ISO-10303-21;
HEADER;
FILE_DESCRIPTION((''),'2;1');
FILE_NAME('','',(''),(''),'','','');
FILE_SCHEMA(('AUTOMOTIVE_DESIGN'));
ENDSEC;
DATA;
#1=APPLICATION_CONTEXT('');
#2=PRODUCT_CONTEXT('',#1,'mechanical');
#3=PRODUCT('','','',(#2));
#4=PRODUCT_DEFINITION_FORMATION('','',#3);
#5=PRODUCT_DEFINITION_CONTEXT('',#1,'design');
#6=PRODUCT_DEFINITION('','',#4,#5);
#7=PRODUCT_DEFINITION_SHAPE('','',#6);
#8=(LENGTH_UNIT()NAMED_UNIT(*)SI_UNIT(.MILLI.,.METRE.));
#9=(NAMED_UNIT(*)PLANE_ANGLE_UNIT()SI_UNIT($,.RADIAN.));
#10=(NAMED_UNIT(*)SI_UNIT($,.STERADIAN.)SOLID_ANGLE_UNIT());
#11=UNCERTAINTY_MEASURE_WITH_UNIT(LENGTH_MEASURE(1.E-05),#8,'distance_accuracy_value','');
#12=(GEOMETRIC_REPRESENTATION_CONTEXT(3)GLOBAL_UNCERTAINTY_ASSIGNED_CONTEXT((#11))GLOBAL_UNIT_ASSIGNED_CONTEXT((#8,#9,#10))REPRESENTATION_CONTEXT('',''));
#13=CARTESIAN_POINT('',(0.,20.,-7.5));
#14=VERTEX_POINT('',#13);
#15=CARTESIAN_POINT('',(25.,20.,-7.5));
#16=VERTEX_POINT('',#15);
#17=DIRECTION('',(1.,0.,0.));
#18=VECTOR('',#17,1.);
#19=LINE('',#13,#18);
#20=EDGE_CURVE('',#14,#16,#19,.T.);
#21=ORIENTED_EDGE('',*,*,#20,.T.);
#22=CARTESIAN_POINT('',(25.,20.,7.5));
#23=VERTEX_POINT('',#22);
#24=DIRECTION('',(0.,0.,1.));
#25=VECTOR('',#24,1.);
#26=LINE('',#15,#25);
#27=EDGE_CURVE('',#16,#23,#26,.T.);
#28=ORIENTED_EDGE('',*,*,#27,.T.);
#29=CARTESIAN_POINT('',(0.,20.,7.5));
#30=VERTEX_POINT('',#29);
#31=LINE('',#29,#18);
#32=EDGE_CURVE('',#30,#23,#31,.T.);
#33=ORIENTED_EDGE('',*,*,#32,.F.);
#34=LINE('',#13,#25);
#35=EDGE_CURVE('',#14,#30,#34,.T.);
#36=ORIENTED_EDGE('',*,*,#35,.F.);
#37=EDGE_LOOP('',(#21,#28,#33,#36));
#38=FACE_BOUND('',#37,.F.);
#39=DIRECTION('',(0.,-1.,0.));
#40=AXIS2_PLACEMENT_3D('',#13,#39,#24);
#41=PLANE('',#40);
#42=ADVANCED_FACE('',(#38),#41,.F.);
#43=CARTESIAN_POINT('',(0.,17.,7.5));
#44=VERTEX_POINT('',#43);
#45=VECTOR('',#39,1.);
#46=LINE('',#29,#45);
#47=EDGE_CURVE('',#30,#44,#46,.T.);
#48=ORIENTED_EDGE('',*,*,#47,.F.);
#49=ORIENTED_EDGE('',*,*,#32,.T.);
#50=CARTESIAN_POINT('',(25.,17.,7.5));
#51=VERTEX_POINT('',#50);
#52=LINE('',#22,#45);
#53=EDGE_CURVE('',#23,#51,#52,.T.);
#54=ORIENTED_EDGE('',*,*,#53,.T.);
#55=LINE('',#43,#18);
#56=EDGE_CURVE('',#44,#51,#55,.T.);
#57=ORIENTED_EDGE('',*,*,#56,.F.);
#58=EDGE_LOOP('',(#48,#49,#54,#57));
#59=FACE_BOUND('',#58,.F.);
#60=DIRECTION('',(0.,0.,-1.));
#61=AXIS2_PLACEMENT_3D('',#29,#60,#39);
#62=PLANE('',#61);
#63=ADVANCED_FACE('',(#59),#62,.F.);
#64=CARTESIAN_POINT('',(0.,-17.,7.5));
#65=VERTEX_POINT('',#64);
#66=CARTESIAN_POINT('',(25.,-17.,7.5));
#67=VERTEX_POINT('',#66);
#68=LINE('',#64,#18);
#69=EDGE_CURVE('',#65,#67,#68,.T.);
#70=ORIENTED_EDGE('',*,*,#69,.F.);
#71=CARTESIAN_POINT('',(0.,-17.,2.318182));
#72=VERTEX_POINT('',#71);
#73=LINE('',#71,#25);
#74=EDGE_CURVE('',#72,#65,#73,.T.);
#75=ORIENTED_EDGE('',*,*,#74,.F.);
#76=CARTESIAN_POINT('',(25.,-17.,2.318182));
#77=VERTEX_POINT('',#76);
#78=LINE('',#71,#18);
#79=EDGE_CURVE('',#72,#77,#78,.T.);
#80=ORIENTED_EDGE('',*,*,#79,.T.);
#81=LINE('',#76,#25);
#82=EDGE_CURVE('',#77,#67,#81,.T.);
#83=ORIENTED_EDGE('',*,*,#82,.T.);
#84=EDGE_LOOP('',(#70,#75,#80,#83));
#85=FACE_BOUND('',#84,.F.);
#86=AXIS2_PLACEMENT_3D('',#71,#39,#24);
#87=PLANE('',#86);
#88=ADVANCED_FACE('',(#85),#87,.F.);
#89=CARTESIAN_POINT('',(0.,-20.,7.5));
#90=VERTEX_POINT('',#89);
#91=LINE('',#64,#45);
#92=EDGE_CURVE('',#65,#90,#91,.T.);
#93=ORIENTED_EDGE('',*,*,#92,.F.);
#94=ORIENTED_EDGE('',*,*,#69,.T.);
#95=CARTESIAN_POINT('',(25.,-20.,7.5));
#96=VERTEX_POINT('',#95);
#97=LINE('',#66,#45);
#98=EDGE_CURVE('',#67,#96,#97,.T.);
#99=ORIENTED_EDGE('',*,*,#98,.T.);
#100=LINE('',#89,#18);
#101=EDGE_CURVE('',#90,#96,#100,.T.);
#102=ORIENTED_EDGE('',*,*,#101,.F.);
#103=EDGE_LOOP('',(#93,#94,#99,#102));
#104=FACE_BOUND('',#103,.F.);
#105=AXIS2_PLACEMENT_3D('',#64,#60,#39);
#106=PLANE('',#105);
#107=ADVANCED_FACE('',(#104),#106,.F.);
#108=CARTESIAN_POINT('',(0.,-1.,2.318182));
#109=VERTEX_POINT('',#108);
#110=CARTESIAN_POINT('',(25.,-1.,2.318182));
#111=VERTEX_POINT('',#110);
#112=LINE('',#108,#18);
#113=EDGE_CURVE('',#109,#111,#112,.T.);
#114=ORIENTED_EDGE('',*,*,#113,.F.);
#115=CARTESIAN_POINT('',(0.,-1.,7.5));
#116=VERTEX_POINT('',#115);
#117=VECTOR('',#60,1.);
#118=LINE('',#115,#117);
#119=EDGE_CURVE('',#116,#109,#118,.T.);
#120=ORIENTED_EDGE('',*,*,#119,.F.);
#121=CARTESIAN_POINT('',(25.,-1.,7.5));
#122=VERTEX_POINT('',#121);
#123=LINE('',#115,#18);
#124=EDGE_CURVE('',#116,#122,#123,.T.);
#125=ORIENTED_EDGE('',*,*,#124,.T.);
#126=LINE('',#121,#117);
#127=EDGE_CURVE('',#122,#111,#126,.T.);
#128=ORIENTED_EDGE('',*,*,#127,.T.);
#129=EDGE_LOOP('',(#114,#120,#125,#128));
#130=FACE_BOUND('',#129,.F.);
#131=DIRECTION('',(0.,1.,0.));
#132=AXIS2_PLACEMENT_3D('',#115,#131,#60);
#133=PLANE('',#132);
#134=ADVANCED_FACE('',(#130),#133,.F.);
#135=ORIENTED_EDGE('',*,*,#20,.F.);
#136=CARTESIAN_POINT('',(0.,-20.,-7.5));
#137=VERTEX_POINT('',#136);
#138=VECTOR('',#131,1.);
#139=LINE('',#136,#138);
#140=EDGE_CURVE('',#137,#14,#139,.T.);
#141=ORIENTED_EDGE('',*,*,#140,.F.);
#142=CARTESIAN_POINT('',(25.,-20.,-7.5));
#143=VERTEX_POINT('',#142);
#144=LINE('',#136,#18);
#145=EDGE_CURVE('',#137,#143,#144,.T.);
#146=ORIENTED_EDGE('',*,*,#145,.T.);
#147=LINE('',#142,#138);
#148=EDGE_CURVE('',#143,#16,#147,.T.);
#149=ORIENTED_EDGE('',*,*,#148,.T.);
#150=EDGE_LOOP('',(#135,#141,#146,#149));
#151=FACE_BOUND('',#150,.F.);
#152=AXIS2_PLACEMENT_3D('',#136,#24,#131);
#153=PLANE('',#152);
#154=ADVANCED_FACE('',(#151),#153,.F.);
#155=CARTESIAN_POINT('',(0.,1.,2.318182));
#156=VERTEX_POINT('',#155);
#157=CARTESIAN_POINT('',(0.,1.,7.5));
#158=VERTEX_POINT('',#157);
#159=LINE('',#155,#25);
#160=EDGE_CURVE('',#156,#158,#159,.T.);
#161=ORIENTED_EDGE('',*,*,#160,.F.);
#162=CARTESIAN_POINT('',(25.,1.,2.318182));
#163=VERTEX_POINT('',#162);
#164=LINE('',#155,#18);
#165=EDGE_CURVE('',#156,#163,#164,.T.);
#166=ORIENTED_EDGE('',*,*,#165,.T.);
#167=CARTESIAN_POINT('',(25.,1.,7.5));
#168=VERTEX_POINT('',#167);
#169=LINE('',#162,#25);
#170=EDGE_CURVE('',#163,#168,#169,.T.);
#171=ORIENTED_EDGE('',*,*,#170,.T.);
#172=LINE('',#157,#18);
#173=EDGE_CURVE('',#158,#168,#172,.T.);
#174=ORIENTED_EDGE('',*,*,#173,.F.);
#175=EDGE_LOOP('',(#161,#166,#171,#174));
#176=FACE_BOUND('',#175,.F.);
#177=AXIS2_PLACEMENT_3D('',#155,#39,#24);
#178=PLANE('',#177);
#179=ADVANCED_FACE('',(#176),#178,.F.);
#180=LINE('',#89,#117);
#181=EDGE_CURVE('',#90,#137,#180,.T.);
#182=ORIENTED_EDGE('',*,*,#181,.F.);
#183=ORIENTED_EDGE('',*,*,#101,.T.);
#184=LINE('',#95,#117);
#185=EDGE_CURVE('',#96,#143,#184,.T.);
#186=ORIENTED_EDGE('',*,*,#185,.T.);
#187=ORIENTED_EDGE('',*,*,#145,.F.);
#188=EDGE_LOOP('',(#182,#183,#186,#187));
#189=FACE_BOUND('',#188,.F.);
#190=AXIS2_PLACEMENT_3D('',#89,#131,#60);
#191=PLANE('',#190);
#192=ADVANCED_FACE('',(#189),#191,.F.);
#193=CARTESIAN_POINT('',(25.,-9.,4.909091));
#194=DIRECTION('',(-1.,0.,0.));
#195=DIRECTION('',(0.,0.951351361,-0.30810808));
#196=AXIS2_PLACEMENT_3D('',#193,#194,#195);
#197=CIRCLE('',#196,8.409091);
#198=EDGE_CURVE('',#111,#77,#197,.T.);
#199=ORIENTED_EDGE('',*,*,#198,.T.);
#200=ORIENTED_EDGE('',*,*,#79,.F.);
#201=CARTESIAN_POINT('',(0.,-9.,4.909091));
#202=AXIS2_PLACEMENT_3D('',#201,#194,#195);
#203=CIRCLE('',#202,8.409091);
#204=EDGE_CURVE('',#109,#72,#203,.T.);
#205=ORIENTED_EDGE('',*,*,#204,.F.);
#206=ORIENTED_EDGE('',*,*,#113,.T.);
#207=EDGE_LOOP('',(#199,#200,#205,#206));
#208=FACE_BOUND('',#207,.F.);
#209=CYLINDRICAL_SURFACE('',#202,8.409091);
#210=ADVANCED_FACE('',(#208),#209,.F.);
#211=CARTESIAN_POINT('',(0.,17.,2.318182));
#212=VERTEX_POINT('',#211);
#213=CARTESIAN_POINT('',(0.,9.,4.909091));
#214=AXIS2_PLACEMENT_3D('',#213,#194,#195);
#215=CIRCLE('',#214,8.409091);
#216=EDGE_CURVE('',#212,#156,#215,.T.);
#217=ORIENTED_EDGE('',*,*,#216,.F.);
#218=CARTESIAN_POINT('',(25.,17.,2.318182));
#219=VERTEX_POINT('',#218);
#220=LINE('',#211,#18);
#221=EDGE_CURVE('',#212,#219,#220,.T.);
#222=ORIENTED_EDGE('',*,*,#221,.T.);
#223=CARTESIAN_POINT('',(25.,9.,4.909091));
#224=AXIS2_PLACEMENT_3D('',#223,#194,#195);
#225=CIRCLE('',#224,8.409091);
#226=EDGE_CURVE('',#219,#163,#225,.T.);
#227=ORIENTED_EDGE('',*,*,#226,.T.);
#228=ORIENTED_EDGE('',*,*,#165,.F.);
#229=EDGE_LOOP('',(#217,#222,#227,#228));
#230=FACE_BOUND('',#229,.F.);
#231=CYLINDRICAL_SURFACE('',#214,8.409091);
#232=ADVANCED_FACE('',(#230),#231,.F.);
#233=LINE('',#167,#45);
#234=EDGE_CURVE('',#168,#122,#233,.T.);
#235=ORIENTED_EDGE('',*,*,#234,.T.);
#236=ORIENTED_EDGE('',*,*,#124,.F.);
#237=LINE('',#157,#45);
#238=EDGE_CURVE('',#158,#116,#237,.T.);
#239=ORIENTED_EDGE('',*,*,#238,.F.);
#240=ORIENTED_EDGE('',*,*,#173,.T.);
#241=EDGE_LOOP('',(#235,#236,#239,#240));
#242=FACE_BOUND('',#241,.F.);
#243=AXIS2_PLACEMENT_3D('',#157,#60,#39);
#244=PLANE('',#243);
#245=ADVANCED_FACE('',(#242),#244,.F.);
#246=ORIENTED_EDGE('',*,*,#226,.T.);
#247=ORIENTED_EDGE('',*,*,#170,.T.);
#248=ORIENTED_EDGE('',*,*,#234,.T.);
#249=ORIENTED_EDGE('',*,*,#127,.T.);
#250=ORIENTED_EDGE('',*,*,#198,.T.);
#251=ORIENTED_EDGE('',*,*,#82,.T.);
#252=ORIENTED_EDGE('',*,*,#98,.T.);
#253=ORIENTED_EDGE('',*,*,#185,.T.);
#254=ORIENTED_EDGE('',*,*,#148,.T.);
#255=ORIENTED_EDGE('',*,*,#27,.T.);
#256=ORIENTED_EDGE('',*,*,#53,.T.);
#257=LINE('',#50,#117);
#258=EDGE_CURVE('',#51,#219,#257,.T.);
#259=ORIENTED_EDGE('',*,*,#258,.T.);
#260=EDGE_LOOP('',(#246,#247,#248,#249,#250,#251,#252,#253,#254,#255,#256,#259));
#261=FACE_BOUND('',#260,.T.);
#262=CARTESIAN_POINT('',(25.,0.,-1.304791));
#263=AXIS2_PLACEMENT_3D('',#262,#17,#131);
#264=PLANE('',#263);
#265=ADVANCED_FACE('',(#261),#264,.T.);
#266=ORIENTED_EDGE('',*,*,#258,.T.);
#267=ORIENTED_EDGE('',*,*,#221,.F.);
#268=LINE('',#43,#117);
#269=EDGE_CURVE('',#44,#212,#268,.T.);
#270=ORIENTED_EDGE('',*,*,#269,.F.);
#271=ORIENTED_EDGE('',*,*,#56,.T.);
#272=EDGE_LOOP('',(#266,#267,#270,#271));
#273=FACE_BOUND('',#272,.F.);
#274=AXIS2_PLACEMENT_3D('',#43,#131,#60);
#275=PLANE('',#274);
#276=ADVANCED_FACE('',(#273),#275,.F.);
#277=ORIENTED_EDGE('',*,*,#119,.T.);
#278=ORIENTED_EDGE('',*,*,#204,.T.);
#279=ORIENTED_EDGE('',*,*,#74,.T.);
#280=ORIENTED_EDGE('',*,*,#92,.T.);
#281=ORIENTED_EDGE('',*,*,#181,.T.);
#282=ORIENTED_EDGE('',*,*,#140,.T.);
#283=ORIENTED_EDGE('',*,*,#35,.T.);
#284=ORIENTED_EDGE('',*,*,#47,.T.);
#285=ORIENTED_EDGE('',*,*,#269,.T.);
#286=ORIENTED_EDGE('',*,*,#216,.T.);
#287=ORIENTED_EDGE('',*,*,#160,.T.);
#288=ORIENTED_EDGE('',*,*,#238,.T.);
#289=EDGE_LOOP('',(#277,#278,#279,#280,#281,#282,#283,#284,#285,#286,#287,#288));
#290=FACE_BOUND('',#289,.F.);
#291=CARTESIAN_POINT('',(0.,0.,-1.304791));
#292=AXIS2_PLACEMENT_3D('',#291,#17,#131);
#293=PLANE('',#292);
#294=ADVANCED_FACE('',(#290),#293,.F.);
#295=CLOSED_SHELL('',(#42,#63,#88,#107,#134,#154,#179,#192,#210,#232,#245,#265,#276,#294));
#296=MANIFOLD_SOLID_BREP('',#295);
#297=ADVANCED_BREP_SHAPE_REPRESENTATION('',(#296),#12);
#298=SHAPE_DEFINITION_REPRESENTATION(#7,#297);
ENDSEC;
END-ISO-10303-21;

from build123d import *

# Parameters (mm, degrees)
F1_DEPTH = 25


with BuildPart() as f1:
    # F0 (on Right) → F1 (new body)
    with BuildSketch(Plane.YZ):
        with BuildLine():
            Line((-20, -7.5), (20, -7.5))
            Line((20, -7.5), (20, 7.5))
            Line((20, 7.5), (17, 7.5))
            Line((17, 7.5), (17, 2.318182))
            ThreePointArc((17, 2.318182), (9, -3.5), (1, 2.318182))
            Line((1, 2.318182), (1, 7.5))
            Line((1, 7.5), (-1, 7.5))
            Line((-1, 7.5), (-1, 2.318182))
            ThreePointArc((-1, 2.318182), (-9, -3.5), (-17, 2.318182))
            Line((-17, 2.318182), (-17, 7.5))
            Line((-17, 7.5), (-20, 7.5))
            Line((-20, 7.5), (-20, -7.5))
        make_face()
    extrude(amount=F1_DEPTH)


solid = f1.part
